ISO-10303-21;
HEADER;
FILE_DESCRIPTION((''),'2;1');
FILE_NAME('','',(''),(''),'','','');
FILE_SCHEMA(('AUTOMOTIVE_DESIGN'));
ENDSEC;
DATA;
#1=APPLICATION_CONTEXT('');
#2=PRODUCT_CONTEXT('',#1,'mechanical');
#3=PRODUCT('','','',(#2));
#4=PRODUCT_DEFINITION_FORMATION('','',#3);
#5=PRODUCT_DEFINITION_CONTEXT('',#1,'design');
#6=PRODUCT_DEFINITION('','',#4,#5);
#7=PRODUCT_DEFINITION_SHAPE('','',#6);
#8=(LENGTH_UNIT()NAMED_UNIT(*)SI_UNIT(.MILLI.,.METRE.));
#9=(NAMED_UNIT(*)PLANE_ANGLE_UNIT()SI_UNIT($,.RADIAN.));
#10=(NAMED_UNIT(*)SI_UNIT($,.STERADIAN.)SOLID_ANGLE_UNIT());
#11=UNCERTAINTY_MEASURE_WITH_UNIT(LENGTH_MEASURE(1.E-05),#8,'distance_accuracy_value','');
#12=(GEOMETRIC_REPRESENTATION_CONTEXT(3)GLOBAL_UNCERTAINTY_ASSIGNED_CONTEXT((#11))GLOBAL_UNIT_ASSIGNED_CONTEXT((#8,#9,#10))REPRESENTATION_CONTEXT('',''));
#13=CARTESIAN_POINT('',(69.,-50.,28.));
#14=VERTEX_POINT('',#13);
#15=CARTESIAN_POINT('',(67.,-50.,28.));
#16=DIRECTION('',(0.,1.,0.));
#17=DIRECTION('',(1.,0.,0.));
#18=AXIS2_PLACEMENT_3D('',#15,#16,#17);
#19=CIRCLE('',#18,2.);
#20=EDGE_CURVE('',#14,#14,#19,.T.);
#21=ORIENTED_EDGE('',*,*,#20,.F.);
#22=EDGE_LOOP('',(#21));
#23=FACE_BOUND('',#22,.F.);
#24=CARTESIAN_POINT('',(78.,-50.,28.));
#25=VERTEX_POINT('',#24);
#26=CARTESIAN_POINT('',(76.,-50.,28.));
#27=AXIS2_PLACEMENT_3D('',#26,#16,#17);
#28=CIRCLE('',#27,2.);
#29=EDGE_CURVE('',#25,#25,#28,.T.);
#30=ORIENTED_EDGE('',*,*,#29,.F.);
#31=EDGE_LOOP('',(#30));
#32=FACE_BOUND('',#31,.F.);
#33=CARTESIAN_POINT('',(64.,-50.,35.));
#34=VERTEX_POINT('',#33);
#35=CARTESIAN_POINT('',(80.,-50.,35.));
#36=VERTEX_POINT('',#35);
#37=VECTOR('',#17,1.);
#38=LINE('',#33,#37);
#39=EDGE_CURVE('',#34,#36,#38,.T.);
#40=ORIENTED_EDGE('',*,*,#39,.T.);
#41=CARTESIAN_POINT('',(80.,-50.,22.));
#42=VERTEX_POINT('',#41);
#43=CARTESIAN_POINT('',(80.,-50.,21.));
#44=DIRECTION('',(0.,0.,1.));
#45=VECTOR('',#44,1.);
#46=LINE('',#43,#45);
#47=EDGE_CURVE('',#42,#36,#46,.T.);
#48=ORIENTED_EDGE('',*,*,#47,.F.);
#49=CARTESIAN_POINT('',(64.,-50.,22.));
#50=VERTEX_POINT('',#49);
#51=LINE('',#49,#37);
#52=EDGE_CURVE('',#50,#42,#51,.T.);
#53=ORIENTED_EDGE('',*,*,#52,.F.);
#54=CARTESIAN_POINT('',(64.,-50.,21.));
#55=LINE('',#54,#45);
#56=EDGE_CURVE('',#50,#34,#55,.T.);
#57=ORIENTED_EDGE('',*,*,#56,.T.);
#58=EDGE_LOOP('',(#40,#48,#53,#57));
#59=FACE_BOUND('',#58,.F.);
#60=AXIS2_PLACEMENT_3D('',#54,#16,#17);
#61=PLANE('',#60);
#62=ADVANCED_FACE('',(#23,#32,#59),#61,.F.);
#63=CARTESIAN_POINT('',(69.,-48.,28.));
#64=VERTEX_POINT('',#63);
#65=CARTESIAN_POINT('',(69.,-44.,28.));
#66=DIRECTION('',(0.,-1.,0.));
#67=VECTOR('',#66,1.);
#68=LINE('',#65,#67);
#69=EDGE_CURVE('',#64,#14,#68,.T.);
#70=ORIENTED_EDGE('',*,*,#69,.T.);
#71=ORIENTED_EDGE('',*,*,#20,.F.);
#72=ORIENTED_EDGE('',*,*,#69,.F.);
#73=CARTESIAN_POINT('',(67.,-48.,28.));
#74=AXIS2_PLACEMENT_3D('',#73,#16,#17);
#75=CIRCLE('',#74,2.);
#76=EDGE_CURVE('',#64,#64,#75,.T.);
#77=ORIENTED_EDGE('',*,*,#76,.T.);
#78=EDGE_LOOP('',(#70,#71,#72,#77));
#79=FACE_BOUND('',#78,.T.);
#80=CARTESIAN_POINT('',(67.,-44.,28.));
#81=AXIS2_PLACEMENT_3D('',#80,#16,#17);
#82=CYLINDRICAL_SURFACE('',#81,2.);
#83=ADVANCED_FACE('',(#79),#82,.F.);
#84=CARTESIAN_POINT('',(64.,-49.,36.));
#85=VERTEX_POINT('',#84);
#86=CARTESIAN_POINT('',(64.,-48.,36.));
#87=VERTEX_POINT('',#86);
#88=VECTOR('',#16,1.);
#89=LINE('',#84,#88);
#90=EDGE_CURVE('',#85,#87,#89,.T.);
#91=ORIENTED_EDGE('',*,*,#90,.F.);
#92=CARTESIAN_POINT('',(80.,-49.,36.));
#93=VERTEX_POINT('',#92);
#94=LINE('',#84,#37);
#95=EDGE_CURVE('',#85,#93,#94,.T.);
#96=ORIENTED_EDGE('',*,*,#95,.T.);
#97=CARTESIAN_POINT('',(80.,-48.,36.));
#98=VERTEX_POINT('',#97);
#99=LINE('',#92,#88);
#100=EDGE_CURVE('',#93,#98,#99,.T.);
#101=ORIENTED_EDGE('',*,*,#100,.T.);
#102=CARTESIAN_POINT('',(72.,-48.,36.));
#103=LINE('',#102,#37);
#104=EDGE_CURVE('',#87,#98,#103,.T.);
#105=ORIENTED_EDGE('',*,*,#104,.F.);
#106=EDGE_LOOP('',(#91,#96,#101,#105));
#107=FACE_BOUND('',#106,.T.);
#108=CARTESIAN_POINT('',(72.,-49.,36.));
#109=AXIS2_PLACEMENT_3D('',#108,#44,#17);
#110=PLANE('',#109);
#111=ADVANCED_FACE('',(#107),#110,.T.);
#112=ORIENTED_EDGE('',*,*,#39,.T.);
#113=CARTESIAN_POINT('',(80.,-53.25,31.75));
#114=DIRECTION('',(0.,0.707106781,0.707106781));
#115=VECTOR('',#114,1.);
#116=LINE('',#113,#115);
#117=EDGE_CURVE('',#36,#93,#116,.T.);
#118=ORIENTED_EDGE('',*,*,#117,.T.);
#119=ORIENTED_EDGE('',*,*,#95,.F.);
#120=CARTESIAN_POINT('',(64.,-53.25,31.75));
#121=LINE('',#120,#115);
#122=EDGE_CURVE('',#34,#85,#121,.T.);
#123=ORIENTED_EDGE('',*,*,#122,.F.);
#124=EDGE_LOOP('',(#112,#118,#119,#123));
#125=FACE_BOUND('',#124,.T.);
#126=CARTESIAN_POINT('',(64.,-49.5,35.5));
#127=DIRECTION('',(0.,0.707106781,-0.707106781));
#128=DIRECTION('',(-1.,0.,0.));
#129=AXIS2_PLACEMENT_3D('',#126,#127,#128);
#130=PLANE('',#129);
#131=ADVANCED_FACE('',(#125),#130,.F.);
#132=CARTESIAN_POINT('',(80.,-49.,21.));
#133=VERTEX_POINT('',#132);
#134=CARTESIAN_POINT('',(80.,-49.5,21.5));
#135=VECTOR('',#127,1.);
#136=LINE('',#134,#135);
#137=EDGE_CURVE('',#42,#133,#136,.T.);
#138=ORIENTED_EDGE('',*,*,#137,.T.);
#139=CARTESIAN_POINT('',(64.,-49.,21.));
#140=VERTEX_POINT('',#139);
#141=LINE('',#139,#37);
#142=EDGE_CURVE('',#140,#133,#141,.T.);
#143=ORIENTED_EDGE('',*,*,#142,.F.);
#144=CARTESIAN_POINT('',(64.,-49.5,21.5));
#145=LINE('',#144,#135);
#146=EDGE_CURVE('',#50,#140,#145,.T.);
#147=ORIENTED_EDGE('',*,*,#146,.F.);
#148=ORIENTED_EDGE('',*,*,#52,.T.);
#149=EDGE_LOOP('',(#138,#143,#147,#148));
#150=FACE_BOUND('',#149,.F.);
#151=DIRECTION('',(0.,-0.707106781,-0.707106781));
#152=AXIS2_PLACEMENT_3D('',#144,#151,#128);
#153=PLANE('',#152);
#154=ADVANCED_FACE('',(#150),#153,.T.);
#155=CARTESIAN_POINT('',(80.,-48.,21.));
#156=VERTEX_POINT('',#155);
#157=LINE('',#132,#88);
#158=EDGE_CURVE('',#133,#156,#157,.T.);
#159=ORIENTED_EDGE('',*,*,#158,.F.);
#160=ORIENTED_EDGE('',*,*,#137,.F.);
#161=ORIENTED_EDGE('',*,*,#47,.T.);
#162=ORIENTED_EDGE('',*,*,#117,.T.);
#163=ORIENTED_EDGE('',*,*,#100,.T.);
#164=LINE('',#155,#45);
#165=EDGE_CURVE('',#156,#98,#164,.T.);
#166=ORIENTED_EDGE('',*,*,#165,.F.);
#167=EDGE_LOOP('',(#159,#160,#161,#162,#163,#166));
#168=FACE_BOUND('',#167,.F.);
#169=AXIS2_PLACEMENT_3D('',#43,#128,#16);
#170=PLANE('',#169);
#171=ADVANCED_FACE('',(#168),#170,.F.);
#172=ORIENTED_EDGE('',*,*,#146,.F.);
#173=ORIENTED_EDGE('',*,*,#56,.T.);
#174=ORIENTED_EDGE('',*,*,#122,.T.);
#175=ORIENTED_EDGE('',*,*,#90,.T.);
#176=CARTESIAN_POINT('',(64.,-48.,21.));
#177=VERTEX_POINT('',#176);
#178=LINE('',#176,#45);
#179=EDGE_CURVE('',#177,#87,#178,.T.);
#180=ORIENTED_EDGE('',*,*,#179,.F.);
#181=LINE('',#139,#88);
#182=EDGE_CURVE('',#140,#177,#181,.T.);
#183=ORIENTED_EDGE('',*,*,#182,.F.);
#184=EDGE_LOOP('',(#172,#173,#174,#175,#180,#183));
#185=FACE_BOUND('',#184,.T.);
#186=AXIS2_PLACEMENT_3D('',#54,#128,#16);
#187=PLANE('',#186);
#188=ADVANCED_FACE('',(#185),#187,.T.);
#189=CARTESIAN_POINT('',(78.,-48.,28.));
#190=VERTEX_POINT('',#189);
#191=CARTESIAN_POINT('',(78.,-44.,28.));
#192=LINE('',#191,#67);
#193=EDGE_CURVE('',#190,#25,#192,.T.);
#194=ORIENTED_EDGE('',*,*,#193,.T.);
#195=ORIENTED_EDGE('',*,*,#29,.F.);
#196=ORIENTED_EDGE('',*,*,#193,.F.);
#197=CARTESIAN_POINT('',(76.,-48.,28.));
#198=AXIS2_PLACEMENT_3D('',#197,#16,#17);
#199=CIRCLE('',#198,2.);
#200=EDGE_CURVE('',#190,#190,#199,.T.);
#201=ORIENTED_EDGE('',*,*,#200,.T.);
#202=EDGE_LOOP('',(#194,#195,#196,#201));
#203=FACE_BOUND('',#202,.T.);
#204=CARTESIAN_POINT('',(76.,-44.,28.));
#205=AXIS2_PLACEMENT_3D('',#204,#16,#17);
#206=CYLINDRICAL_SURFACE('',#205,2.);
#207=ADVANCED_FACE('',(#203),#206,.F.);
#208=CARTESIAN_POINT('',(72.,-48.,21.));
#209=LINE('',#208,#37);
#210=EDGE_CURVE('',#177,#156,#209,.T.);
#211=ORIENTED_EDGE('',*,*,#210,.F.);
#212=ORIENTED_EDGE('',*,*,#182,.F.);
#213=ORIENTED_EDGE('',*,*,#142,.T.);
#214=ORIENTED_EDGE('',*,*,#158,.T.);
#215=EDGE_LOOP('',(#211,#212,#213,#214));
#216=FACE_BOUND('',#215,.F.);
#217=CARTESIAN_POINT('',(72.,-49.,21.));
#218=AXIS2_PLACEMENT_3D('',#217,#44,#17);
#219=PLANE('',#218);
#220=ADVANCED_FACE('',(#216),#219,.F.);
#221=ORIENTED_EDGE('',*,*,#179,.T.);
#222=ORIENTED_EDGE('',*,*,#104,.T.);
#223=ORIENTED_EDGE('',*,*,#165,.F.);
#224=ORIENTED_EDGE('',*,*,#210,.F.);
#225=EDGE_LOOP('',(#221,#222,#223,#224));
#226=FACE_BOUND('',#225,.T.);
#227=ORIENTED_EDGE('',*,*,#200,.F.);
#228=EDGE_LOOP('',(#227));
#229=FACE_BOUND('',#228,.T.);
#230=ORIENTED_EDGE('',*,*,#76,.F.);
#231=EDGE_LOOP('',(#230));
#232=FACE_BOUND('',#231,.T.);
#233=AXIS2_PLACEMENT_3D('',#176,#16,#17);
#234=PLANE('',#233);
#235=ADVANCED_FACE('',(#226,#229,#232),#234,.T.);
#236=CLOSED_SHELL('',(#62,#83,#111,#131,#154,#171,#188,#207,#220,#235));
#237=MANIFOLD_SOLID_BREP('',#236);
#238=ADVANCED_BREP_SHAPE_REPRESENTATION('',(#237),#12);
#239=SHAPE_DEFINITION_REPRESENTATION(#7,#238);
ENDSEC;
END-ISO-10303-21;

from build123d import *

# Parameters (mm, degrees)
CYLINDER052_R          = 2
CYLINDER052_DEPTH      = 10
CYLINDER052_ROLL_ANGLE = 90
CYLINDER051_R          = 2
CYLINDER051_DEPTH      = 10
CYLINDER051_ROLL_ANGLE = 90
BOX013_W               = 16
BOX013_H               = 2
BOX013_DEPTH           = 15
CHAMFER016_SIZE        = 1


with BuildPart() as cilindro049:
    # Cylinder052 → Cylinder052 (new body)
    with BuildSketch(Plane.XY):
        Circle(CYLINDER052_R)
    extrude(amount=CYLINDER052_DEPTH)


with BuildPart() as cilindro049_1:
    # Cylinder052 roll: moved
    add(cilindro049.part.rotate(Axis((0, 0, 0), (1, 0, 0)), CYLINDER052_ROLL_ANGLE))


with BuildPart() as cilindro049_2:
    # Cylinder052 placement: moved
    add(cilindro049_1.part.moved(Location((76, -37, 30))))


with BuildPart() as fusion012:
    # Cylinder051 → Cylinder051 (new body)
    with BuildSketch(Plane.XY):
        Circle(CYLINDER051_R)
    extrude(amount=CYLINDER051_DEPTH)


with BuildPart() as fusion012_1:
    # Cylinder051 roll: moved
    add(fusion012.part.rotate(Axis((0, 0, 0), (1, 0, 0)), CYLINDER051_ROLL_ANGLE))


with BuildPart() as fusion012_2:
    # Cylinder051 placement: moved
    add(fusion012_1.part.moved(Location((67, -37, 30))))

    # Fusion012: union Cilindro049
    add(cilindro049_2.part)


with BuildPart() as presa003:
    # Box013 → Box013 (new body)
    with BuildSketch(Plane(origin=(64, -43, 23), x_dir=(1, 0, 0), z_dir=(0, 0, 1))):
        with Locations((8, 1)):
            Rectangle(BOX013_W, BOX013_H)
    extrude(amount=BOX013_DEPTH)

    # Cut040: cut Fusion012
    add(fusion012_2.part, mode=Mode.SUBTRACT)


with BuildPart() as presa003_1:
    # Cut040 placement: moved
    add(presa003.part.moved(Location((0, -7, -2))))

    # Chamfer016
    chamfer016_edges = [presa003_1.edges().sort_by_distance(p)[0] for p in [
        (72, -50, 21),
        (72, -50, 36),
    ]]
    chamfer(chamfer016_edges, length=CHAMFER016_SIZE)


solid = presa003_1.part
